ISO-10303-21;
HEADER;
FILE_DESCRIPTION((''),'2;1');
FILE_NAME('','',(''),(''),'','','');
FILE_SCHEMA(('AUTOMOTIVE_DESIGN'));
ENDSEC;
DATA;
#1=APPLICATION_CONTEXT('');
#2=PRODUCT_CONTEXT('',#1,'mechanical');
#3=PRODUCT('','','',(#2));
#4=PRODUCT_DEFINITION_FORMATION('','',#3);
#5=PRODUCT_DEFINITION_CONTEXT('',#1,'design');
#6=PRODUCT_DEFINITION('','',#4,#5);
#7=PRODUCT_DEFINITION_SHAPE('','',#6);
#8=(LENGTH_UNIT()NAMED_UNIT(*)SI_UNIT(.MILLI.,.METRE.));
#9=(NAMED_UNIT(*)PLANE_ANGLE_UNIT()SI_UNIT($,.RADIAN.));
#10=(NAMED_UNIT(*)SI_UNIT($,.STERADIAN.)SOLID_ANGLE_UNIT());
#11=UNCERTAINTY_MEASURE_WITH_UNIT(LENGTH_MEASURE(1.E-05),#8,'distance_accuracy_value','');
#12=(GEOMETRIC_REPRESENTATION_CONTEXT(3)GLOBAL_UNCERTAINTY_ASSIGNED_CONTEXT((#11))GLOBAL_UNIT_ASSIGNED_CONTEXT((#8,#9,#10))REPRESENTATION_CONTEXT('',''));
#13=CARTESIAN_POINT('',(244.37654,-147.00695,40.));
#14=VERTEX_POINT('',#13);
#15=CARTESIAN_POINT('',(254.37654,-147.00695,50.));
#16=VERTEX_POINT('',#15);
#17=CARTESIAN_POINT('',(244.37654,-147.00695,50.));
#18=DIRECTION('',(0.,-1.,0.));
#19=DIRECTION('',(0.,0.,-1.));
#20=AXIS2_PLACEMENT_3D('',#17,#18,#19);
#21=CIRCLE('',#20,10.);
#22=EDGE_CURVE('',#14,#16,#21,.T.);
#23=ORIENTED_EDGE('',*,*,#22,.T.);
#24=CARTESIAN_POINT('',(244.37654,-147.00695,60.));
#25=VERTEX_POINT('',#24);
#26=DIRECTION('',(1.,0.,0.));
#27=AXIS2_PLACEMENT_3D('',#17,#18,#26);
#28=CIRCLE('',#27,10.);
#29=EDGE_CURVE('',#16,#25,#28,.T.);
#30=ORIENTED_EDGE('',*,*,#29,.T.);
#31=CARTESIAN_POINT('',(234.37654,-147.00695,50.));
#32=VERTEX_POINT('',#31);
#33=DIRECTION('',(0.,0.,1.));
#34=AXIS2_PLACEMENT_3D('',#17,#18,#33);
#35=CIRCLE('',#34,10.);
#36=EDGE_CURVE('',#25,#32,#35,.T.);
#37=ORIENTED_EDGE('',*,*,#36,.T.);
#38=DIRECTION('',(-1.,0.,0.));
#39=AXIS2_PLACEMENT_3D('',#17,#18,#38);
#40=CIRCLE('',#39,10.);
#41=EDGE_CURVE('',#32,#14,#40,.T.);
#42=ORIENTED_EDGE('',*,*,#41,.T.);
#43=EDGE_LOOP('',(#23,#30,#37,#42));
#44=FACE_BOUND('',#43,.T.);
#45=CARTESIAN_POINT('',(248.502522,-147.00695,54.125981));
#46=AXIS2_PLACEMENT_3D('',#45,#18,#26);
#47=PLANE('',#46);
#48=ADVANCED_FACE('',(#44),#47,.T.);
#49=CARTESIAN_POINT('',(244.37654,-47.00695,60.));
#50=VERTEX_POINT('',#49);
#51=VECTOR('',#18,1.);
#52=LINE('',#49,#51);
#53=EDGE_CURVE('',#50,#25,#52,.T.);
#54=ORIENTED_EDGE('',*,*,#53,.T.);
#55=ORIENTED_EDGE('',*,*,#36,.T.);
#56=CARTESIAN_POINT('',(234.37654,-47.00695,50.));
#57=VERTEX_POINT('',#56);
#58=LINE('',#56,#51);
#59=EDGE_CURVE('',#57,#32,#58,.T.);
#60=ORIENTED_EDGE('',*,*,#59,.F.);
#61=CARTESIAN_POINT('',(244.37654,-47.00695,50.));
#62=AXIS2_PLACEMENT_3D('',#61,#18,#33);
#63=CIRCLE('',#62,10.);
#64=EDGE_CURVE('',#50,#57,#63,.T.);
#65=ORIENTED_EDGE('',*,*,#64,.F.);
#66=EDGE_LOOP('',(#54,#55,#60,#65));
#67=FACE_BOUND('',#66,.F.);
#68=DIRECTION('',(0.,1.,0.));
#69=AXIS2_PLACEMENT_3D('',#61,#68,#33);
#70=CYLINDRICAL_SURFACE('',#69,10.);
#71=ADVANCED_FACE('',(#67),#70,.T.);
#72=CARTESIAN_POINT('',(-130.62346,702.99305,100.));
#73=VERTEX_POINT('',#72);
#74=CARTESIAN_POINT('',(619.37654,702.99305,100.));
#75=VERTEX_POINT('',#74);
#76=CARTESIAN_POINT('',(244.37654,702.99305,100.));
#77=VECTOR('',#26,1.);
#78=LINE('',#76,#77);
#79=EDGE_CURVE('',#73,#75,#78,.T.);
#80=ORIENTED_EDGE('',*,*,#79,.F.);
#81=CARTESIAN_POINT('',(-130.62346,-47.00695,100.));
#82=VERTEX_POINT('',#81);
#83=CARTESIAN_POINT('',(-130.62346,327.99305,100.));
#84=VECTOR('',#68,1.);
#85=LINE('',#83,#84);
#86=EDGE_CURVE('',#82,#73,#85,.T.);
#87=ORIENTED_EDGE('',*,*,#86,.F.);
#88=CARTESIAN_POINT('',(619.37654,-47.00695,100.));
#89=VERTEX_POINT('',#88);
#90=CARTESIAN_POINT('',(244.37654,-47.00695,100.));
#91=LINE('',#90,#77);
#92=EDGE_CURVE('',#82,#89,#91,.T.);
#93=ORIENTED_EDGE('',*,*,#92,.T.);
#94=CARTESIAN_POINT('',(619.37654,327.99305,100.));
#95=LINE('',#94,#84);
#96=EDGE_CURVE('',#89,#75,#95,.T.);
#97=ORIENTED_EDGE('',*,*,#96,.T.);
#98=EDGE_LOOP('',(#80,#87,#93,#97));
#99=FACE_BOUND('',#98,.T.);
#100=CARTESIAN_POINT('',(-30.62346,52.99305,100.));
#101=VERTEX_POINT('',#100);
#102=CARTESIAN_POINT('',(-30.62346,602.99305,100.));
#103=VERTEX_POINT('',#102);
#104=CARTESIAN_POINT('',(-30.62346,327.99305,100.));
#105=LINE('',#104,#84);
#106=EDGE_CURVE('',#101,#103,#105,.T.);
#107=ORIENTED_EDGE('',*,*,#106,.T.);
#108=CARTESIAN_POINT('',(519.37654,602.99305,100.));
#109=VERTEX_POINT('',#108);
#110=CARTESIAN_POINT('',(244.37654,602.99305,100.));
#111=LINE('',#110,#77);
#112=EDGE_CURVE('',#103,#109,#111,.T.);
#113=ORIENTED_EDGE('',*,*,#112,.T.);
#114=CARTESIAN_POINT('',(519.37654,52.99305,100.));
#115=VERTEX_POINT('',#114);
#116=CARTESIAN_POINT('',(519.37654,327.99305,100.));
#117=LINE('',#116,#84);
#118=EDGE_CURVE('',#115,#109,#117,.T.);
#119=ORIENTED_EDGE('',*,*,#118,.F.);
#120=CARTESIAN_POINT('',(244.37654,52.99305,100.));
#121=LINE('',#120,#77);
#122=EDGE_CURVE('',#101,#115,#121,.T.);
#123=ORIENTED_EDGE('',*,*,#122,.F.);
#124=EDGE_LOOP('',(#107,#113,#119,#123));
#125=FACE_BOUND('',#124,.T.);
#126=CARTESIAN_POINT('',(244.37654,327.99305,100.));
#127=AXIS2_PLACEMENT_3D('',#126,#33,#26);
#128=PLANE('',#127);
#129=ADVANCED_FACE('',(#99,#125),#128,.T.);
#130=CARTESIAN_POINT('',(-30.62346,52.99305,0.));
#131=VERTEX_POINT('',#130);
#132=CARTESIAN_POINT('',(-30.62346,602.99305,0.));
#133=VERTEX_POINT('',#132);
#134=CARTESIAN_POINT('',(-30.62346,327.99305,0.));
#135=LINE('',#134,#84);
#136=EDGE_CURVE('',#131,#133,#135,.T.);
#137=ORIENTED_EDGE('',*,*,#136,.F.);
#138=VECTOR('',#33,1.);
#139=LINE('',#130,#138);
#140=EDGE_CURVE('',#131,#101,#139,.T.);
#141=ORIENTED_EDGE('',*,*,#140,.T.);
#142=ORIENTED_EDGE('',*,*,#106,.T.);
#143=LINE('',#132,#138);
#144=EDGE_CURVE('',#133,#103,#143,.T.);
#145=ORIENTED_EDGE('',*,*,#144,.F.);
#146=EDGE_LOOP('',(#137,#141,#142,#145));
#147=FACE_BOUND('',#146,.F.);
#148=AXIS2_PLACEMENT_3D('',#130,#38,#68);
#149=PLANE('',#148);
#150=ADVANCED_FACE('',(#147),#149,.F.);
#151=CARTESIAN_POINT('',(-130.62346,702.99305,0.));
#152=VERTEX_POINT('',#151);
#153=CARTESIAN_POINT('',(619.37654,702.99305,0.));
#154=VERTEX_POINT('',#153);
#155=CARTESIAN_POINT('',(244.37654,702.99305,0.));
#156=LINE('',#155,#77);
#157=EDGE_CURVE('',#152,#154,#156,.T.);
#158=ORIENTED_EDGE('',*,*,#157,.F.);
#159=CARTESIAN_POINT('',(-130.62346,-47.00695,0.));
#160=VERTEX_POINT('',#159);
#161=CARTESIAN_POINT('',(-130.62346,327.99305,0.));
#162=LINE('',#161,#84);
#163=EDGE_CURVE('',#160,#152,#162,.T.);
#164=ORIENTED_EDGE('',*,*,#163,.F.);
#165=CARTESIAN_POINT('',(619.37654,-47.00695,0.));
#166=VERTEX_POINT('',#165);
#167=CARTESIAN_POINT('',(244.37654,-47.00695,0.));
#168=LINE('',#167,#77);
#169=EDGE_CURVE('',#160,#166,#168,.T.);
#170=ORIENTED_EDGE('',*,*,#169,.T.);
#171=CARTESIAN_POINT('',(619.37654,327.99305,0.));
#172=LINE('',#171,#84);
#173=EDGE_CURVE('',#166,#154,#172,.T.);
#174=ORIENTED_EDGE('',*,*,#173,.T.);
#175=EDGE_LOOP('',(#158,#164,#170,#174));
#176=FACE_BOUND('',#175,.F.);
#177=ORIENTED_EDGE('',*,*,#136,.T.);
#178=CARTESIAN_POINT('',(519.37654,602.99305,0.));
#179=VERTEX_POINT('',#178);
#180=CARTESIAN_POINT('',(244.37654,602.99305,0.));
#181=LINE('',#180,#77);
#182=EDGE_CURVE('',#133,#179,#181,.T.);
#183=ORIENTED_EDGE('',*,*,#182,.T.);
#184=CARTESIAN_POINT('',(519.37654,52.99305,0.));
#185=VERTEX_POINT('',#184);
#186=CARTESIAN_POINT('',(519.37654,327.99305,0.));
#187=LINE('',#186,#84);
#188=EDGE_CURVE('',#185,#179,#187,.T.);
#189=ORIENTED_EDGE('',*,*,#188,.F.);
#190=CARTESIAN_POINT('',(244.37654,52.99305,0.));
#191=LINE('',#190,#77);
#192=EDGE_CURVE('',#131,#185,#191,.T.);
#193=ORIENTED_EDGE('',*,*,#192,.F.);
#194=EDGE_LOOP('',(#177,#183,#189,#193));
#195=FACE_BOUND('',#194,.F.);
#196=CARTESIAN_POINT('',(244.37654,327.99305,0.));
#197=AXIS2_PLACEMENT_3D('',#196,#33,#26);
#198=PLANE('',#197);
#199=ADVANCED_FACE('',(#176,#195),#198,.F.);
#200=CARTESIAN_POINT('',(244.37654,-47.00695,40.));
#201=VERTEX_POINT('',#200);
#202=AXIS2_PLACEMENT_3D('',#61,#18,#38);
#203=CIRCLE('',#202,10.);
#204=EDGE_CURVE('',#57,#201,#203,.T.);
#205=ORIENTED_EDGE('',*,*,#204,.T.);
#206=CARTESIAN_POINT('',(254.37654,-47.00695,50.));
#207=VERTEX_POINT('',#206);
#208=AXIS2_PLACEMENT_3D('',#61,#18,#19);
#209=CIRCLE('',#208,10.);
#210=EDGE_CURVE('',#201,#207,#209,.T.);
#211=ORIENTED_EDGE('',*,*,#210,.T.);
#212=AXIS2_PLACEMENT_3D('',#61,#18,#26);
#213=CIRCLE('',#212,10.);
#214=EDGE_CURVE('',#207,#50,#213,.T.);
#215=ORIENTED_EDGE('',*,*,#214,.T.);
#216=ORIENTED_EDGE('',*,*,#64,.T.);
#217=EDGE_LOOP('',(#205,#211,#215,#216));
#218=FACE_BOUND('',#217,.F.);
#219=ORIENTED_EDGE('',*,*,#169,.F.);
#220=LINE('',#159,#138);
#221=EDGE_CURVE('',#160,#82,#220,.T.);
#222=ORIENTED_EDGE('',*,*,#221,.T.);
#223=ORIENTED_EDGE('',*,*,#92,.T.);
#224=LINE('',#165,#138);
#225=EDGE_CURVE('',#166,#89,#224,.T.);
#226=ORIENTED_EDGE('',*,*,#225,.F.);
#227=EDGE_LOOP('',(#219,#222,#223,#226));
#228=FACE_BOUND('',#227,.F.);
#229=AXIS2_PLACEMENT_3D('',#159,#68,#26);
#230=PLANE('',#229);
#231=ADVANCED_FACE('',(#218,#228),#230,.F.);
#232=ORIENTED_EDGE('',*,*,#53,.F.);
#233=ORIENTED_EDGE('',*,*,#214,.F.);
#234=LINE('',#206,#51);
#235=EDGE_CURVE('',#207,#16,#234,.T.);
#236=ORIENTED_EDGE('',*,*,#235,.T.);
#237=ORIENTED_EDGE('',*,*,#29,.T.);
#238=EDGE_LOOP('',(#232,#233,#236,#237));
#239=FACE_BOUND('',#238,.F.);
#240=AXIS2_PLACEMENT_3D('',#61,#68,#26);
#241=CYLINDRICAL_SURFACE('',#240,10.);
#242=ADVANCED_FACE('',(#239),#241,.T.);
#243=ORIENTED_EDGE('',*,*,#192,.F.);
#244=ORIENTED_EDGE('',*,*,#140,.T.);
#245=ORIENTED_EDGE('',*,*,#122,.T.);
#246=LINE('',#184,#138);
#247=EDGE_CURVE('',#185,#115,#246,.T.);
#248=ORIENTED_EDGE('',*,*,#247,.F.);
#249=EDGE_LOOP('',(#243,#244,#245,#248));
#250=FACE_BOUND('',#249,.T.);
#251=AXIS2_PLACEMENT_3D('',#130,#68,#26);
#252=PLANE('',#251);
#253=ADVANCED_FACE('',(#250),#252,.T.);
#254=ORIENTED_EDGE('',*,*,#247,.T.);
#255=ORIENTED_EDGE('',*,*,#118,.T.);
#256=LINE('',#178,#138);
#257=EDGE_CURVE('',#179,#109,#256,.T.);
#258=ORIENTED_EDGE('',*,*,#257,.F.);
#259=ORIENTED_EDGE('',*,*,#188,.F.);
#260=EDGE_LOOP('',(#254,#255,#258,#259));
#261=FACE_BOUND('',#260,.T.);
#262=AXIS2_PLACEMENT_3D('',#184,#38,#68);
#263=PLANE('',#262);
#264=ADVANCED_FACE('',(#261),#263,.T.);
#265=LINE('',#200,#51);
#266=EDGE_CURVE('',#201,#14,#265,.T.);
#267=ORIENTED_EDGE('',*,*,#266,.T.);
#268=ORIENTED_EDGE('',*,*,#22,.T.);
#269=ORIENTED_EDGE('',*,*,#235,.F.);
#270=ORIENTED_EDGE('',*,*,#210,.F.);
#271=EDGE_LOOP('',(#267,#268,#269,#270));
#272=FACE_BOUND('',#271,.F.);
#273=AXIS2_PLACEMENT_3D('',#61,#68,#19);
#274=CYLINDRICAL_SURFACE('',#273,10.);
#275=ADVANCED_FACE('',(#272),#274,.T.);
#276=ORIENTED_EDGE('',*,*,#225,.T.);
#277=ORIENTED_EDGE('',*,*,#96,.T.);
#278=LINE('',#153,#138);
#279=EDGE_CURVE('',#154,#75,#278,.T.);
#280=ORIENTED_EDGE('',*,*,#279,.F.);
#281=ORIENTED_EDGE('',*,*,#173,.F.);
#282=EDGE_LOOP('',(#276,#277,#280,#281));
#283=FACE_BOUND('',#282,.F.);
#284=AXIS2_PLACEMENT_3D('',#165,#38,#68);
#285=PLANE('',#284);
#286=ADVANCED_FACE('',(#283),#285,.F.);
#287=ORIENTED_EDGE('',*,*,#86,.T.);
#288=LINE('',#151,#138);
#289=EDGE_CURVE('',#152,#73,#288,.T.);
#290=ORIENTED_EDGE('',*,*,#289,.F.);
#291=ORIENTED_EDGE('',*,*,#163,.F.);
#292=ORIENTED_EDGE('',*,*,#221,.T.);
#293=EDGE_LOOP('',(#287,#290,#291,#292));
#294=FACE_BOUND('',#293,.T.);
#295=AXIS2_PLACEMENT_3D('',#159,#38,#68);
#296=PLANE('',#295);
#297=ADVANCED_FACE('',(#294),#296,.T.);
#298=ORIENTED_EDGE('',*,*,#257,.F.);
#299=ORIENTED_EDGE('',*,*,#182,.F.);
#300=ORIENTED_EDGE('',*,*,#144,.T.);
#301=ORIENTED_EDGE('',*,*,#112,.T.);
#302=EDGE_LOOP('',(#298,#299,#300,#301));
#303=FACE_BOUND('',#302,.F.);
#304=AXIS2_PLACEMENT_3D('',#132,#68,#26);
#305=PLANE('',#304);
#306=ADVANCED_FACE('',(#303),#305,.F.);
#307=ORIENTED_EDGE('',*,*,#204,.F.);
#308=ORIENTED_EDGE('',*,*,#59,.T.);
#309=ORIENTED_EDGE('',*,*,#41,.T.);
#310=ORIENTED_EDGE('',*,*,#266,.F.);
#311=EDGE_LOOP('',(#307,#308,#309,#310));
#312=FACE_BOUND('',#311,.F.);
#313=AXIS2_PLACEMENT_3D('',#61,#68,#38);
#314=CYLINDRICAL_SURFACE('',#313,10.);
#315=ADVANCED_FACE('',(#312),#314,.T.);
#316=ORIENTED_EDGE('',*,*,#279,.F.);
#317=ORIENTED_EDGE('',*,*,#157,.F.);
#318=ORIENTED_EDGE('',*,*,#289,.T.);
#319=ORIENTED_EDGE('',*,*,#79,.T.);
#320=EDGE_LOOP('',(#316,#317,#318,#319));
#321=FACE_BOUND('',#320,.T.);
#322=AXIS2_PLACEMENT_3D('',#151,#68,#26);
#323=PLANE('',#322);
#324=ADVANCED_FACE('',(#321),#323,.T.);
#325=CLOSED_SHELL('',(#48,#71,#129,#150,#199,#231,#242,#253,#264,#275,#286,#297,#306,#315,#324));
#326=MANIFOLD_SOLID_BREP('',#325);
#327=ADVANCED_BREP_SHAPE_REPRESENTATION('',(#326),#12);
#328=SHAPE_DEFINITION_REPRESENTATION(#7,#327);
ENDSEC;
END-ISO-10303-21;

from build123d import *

# Parameters (mm, degrees)
F0_W     = 750
F0_H     = 750
F0_W_2   = 550
F0_H_2   = 550
F1_DEPTH = 100
F3_DEPTH = 100


with BuildPart() as f1:
    # F0 (on Top) → F1 (new body)
    with BuildSketch(Plane.XY):
        with Locations((244.376540184, 327.9930502176)):
            Rectangle(F0_W, F0_H)
        with Locations((244.376540184, 327.9930502176)):
            Rectangle(F0_W_2, F0_H_2, mode=Mode.SUBTRACT)
    extrude(amount=F1_DEPTH)

    # F2 (on face) → F3 (join)
    with BuildSketch(Plane.XZ.offset(47.0069497824)):
        with BuildLine():
            Line((244.376540184, 50), (254.376540184, 50))
            ThreePointArc((254.376540184, 50), (251.4476079959, 57.0710678119), (244.376540184, 60))
            Line((244.376540184, 60), (244.376540184, 50))
        make_face()
        with BuildLine():
            Line((234.376540184, 50), (244.376540184, 50))
            Line((244.376540184, 50), (244.376540184, 60))
            ThreePointArc((244.376540184, 60), (237.3054723722, 57.0710678119), (234.376540184, 50))
        make_face()
        with BuildLine():
            Line((244.376540184, 40), (244.376540184, 50))
            Line((244.376540184, 50), (234.376540184, 50))
            ThreePointArc((234.376540184, 50), (237.3054723722, 42.9289321881), (244.376540184, 40))
        make_face()
        with BuildLine():
            ThreePointArc((244.376540184, 40), (251.4476079959, 42.9289321881), (254.376540184, 50))
            Line((254.376540184, 50), (244.376540184, 50))
            Line((244.376540184, 50), (244.376540184, 40))
        make_face()
    extrude(amount=F3_DEPTH)


solid = f1.part
